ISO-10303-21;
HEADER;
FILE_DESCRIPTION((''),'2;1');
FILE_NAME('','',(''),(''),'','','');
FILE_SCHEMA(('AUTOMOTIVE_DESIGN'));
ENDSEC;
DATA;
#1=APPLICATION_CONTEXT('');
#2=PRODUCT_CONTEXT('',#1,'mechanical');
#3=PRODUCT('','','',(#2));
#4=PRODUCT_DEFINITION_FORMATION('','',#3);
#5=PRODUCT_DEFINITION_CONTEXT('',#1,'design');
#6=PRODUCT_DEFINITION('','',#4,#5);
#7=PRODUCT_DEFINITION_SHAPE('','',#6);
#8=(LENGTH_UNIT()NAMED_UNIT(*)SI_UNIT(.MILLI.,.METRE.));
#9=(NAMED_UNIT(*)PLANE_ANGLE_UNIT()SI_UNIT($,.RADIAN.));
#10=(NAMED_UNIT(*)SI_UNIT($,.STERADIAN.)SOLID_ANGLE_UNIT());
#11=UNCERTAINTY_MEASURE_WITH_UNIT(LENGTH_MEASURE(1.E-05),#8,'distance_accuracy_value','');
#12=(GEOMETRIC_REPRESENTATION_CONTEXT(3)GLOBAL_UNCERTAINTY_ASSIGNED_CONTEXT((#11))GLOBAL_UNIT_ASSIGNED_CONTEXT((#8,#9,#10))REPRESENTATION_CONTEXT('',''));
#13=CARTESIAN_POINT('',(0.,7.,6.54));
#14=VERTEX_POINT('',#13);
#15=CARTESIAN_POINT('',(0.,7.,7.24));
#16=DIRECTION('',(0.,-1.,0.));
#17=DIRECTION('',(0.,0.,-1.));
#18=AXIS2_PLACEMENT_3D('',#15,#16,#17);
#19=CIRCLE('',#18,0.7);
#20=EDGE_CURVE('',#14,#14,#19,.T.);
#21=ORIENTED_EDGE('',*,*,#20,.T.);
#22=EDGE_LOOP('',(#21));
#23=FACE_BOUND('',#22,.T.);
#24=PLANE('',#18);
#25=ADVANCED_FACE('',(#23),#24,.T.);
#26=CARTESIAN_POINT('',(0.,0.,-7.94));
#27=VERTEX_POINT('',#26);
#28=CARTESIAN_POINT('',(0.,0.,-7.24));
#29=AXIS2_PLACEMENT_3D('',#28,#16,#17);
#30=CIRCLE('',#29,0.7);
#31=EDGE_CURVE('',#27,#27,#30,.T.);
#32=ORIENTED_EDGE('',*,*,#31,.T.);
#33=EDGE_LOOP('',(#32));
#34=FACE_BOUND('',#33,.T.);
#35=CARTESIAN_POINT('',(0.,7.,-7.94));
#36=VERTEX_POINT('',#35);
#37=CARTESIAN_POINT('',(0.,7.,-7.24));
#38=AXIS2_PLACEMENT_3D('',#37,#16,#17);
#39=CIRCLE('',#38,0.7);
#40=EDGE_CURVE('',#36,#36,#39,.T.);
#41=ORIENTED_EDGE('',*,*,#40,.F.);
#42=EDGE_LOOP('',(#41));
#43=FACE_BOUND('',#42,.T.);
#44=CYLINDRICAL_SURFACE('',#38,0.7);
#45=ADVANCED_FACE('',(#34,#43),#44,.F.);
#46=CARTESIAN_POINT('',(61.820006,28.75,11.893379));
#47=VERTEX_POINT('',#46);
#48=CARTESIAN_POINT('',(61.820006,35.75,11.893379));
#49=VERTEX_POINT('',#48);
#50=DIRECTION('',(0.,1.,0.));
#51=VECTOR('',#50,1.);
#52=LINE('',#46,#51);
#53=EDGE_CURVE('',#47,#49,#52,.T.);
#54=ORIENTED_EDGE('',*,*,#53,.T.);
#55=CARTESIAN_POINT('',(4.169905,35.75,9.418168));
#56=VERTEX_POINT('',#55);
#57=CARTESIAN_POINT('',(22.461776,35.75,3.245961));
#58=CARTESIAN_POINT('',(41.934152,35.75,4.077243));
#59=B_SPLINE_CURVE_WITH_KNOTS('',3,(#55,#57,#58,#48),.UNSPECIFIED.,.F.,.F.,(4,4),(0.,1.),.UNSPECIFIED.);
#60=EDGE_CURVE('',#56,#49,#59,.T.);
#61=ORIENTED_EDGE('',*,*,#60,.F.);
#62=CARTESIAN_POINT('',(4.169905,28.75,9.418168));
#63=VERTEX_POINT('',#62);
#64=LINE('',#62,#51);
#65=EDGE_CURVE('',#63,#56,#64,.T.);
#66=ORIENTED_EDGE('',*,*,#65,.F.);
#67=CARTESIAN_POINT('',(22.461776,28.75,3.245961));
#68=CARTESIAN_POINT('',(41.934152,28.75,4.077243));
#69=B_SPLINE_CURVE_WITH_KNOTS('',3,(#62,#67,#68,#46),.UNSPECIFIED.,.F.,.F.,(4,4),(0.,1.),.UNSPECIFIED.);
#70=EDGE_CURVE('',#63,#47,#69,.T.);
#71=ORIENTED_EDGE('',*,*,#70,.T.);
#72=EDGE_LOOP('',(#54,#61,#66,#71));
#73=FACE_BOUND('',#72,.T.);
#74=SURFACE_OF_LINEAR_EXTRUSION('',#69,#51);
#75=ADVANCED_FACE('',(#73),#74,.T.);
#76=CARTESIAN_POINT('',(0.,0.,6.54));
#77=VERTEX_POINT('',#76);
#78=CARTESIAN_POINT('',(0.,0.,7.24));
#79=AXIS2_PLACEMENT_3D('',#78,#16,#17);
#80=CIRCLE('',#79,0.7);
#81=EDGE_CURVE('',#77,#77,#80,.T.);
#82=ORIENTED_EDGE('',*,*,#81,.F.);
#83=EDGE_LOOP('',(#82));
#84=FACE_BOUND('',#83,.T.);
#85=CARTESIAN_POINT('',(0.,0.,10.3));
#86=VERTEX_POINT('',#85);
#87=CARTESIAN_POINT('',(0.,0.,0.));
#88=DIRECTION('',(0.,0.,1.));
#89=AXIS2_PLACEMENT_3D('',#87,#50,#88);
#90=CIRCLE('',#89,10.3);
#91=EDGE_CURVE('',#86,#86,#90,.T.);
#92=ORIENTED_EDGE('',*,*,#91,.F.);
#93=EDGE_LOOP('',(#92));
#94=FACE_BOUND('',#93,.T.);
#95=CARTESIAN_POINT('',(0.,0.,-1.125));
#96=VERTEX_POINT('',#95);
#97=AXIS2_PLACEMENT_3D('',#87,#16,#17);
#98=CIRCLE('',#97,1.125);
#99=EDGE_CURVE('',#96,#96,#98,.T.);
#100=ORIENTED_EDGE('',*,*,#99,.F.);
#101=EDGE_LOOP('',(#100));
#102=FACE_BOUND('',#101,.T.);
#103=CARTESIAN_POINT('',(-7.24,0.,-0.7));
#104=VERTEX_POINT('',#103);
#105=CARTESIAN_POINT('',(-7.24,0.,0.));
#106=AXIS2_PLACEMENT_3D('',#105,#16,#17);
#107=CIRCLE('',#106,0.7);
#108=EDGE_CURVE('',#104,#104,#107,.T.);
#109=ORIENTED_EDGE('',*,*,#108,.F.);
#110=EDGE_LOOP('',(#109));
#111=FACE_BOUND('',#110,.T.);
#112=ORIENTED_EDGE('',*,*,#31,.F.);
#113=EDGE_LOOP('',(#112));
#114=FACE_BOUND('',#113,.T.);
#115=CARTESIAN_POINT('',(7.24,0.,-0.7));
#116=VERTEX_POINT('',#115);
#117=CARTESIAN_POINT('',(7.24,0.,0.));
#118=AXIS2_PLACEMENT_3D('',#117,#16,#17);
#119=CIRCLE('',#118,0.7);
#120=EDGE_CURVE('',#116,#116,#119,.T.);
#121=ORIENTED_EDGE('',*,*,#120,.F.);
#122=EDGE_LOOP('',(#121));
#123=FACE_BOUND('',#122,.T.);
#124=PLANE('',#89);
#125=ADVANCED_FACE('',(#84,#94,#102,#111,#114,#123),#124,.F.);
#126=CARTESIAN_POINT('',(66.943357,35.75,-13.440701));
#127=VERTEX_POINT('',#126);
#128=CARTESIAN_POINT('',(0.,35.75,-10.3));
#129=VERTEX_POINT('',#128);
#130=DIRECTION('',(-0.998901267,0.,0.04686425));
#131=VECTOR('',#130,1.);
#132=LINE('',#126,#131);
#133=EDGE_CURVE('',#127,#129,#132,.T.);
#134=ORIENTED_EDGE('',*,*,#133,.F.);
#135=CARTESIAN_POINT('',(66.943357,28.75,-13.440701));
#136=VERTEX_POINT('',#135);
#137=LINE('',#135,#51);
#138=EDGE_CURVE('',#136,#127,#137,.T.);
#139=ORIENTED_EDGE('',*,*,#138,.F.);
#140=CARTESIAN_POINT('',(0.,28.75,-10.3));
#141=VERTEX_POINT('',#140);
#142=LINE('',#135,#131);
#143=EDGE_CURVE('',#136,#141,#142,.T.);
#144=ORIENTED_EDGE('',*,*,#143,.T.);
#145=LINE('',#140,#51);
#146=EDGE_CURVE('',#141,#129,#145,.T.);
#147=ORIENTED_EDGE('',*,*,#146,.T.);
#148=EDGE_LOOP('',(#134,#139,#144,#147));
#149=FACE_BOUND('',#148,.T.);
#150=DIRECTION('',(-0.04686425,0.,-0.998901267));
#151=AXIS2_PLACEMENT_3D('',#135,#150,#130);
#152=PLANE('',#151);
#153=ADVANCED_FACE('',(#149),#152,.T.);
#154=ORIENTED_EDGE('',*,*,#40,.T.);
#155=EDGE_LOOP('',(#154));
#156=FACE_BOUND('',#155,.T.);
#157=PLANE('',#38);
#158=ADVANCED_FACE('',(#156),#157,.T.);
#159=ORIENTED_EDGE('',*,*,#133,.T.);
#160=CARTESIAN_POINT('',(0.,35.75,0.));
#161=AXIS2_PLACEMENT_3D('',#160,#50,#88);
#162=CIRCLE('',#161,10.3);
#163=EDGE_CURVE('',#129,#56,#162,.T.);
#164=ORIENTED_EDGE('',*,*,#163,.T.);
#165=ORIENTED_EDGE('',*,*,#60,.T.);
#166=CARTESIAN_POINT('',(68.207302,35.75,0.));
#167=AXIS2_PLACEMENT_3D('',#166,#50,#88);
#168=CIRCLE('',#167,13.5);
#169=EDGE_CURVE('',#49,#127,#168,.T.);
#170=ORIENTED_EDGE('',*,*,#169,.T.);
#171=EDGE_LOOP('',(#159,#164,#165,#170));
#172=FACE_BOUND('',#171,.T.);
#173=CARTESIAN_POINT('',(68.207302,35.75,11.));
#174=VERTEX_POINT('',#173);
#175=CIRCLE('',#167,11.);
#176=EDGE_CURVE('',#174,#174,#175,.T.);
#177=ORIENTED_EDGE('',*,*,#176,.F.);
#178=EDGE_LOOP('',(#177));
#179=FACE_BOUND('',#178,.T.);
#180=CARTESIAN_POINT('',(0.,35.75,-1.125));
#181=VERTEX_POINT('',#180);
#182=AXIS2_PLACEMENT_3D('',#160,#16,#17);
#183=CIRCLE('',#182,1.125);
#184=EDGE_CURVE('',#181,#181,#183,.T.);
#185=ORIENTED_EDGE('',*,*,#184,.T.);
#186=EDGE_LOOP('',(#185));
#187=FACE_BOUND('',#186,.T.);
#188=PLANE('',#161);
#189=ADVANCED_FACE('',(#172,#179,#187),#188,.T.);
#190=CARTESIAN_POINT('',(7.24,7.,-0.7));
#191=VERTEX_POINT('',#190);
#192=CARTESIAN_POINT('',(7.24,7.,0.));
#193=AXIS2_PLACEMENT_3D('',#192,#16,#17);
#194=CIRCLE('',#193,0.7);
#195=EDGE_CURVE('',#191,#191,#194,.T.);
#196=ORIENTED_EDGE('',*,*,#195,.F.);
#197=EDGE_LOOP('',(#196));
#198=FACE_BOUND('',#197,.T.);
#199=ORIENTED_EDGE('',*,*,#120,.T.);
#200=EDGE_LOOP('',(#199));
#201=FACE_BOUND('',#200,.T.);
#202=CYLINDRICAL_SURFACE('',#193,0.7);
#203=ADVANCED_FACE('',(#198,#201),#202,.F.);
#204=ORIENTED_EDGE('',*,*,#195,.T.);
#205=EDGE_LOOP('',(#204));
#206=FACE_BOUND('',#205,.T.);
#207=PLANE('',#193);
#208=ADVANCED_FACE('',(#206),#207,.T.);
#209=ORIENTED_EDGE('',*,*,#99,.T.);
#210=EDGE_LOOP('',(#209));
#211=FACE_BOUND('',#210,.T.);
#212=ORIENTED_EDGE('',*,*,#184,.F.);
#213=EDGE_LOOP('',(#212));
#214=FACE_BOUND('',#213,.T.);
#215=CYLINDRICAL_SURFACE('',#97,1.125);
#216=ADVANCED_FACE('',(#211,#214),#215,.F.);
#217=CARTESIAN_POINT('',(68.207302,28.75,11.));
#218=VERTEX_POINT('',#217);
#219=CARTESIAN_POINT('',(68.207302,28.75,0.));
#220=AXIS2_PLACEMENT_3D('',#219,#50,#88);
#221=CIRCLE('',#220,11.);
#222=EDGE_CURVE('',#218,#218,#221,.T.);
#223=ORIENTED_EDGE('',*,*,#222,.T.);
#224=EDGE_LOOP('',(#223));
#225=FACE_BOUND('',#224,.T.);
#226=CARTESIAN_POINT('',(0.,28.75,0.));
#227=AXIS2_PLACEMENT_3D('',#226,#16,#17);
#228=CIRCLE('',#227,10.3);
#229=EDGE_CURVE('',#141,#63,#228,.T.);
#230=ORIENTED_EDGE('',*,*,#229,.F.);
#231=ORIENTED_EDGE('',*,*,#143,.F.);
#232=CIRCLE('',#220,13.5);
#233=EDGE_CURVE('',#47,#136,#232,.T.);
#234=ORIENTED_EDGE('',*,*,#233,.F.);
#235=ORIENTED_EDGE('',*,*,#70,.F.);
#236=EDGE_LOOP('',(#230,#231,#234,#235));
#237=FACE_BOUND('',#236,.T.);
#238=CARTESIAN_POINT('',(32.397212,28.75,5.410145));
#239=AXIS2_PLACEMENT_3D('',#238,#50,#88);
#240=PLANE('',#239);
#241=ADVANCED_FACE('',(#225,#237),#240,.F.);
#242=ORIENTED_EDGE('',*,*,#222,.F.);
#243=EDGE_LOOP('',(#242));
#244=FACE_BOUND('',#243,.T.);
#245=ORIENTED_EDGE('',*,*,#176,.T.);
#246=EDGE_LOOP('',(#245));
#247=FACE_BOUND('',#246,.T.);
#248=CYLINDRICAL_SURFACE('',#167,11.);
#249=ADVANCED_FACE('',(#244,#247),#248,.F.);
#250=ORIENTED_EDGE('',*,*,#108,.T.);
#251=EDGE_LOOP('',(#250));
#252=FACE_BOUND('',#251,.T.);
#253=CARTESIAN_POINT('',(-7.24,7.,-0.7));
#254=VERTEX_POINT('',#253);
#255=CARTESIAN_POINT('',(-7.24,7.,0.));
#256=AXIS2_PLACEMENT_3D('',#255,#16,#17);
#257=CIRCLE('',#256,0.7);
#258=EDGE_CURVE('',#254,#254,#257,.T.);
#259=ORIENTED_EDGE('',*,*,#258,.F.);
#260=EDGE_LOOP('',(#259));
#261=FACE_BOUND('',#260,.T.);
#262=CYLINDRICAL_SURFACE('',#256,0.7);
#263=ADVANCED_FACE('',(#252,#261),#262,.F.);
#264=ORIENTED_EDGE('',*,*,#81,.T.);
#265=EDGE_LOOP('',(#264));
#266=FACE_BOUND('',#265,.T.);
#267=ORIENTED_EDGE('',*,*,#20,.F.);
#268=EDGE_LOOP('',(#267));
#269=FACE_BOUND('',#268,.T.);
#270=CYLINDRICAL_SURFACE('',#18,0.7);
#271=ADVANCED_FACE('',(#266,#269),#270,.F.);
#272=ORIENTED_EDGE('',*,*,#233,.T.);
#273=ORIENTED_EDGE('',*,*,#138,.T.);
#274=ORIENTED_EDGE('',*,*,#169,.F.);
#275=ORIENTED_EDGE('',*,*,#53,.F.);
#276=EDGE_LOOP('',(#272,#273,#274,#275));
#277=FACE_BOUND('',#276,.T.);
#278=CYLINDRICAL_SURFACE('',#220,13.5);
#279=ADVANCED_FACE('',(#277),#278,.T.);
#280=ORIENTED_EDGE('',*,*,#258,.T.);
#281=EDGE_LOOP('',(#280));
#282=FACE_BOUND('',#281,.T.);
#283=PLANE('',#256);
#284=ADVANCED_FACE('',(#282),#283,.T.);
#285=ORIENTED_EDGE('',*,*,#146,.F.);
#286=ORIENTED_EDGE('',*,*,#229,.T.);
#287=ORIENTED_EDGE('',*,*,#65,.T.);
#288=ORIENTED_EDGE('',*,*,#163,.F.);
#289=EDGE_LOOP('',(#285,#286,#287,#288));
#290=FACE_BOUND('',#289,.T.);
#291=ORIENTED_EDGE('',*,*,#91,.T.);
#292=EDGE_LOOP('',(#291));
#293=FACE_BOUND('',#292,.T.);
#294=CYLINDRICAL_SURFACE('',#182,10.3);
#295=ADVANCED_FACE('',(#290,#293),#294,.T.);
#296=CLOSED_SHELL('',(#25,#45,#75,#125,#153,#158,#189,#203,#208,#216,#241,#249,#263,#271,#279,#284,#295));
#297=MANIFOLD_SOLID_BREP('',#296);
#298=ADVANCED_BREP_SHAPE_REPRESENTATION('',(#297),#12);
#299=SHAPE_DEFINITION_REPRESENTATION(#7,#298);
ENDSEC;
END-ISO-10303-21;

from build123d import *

# Parameters (mm, degrees)
SZKIC1_R                    = 10.3
DODANIE_WYCI_GNI_CIE1_DEPTH = 35.75
OTWORY_USTALAJ_CE_2_5MM2_D  = 2.25
DODANIE_WYCI_GNI_CIE3_START = -7
DODANIE_WYCI_GNI_CIE3_DEPTH = 7
OTWORY_USTALAJ_CE_2_5MM3_D  = 22
SZKIC12_R                   = 0.7
WYTNIJ_WYCI_GNI_CIE1_DEPTH  = 7


with BuildPart() as part:
    # Szkic1 → Dodanie-wyciągnięcie1 (new body)
    with BuildSketch(Plane(origin=(0, 0, 0), x_dir=(1, 0, 0), z_dir=(0, 1, 0))):
        Circle(SZKIC1_R)
    extrude(amount=DODANIE_WYCI_GNI_CIE1_DEPTH)

    # Otwory ustalające Ø2.5mm2 (through all)
    with Locations(Plane.XZ):
        with Locations((0, 0)):
            Hole(OTWORY_USTALAJ_CE_2_5MM2_D / 2)

    # Szkic7 → Dodanie-wyciągnięcie3 (add)
    with BuildSketch(Plane(origin=(0, 35.75, 0), x_dir=(1, 0, 0), z_dir=(0, 1, 0)).offset(DODANIE_WYCI_GNI_CIE3_START)):
        with BuildLine():
            Line((66.943357066, 13.440701035), (0, 10.3))
            ThreePointArc((0, 10.3), (10.077130906, 2.131063748), (4.169904535, -9.418168408))
            add(Edge.make_bspline(
                [(4.169904535, -9.418168408), (22.461776037, -3.24596138), (41.934151815, -4.077243057), (61.820006497, -11.893378905)],
                knots=[0, 0, 0, 0, 1, 1, 1, 1], degree=3))
            ThreePointArc((61.820006497, -11.893378905), (81.439431711, -2.675954354), (66.943357066, 13.440701035))
        make_face()
    extrude(amount=DODANIE_WYCI_GNI_CIE3_DEPTH)

    # Otwory ustalające Ø2.5mm3 (through all)
    with Locations(Plane(origin=(0, 35.75, 0), x_dir=(1, 0, 0), z_dir=(0, 1, 0))):
        with Locations((68.207301561, 0)):
            Hole(OTWORY_USTALAJ_CE_2_5MM3_D / 2)

    # Szkic12 → Wytnij-wyciągnięcie1 (cut)
    with BuildSketch(Plane.XZ):
        with Locations((7.24, 0)):
            Circle(SZKIC12_R)
        with Locations((-7.24, 0)):
            Circle(SZKIC12_R)
        with Locations((0, -7.24)):
            Circle(SZKIC12_R)
        with Locations((0, 7.24)):
            Circle(SZKIC12_R)
    extrude(amount=-WYTNIJ_WYCI_GNI_CIE1_DEPTH, mode=Mode.SUBTRACT)


solid = part.part
